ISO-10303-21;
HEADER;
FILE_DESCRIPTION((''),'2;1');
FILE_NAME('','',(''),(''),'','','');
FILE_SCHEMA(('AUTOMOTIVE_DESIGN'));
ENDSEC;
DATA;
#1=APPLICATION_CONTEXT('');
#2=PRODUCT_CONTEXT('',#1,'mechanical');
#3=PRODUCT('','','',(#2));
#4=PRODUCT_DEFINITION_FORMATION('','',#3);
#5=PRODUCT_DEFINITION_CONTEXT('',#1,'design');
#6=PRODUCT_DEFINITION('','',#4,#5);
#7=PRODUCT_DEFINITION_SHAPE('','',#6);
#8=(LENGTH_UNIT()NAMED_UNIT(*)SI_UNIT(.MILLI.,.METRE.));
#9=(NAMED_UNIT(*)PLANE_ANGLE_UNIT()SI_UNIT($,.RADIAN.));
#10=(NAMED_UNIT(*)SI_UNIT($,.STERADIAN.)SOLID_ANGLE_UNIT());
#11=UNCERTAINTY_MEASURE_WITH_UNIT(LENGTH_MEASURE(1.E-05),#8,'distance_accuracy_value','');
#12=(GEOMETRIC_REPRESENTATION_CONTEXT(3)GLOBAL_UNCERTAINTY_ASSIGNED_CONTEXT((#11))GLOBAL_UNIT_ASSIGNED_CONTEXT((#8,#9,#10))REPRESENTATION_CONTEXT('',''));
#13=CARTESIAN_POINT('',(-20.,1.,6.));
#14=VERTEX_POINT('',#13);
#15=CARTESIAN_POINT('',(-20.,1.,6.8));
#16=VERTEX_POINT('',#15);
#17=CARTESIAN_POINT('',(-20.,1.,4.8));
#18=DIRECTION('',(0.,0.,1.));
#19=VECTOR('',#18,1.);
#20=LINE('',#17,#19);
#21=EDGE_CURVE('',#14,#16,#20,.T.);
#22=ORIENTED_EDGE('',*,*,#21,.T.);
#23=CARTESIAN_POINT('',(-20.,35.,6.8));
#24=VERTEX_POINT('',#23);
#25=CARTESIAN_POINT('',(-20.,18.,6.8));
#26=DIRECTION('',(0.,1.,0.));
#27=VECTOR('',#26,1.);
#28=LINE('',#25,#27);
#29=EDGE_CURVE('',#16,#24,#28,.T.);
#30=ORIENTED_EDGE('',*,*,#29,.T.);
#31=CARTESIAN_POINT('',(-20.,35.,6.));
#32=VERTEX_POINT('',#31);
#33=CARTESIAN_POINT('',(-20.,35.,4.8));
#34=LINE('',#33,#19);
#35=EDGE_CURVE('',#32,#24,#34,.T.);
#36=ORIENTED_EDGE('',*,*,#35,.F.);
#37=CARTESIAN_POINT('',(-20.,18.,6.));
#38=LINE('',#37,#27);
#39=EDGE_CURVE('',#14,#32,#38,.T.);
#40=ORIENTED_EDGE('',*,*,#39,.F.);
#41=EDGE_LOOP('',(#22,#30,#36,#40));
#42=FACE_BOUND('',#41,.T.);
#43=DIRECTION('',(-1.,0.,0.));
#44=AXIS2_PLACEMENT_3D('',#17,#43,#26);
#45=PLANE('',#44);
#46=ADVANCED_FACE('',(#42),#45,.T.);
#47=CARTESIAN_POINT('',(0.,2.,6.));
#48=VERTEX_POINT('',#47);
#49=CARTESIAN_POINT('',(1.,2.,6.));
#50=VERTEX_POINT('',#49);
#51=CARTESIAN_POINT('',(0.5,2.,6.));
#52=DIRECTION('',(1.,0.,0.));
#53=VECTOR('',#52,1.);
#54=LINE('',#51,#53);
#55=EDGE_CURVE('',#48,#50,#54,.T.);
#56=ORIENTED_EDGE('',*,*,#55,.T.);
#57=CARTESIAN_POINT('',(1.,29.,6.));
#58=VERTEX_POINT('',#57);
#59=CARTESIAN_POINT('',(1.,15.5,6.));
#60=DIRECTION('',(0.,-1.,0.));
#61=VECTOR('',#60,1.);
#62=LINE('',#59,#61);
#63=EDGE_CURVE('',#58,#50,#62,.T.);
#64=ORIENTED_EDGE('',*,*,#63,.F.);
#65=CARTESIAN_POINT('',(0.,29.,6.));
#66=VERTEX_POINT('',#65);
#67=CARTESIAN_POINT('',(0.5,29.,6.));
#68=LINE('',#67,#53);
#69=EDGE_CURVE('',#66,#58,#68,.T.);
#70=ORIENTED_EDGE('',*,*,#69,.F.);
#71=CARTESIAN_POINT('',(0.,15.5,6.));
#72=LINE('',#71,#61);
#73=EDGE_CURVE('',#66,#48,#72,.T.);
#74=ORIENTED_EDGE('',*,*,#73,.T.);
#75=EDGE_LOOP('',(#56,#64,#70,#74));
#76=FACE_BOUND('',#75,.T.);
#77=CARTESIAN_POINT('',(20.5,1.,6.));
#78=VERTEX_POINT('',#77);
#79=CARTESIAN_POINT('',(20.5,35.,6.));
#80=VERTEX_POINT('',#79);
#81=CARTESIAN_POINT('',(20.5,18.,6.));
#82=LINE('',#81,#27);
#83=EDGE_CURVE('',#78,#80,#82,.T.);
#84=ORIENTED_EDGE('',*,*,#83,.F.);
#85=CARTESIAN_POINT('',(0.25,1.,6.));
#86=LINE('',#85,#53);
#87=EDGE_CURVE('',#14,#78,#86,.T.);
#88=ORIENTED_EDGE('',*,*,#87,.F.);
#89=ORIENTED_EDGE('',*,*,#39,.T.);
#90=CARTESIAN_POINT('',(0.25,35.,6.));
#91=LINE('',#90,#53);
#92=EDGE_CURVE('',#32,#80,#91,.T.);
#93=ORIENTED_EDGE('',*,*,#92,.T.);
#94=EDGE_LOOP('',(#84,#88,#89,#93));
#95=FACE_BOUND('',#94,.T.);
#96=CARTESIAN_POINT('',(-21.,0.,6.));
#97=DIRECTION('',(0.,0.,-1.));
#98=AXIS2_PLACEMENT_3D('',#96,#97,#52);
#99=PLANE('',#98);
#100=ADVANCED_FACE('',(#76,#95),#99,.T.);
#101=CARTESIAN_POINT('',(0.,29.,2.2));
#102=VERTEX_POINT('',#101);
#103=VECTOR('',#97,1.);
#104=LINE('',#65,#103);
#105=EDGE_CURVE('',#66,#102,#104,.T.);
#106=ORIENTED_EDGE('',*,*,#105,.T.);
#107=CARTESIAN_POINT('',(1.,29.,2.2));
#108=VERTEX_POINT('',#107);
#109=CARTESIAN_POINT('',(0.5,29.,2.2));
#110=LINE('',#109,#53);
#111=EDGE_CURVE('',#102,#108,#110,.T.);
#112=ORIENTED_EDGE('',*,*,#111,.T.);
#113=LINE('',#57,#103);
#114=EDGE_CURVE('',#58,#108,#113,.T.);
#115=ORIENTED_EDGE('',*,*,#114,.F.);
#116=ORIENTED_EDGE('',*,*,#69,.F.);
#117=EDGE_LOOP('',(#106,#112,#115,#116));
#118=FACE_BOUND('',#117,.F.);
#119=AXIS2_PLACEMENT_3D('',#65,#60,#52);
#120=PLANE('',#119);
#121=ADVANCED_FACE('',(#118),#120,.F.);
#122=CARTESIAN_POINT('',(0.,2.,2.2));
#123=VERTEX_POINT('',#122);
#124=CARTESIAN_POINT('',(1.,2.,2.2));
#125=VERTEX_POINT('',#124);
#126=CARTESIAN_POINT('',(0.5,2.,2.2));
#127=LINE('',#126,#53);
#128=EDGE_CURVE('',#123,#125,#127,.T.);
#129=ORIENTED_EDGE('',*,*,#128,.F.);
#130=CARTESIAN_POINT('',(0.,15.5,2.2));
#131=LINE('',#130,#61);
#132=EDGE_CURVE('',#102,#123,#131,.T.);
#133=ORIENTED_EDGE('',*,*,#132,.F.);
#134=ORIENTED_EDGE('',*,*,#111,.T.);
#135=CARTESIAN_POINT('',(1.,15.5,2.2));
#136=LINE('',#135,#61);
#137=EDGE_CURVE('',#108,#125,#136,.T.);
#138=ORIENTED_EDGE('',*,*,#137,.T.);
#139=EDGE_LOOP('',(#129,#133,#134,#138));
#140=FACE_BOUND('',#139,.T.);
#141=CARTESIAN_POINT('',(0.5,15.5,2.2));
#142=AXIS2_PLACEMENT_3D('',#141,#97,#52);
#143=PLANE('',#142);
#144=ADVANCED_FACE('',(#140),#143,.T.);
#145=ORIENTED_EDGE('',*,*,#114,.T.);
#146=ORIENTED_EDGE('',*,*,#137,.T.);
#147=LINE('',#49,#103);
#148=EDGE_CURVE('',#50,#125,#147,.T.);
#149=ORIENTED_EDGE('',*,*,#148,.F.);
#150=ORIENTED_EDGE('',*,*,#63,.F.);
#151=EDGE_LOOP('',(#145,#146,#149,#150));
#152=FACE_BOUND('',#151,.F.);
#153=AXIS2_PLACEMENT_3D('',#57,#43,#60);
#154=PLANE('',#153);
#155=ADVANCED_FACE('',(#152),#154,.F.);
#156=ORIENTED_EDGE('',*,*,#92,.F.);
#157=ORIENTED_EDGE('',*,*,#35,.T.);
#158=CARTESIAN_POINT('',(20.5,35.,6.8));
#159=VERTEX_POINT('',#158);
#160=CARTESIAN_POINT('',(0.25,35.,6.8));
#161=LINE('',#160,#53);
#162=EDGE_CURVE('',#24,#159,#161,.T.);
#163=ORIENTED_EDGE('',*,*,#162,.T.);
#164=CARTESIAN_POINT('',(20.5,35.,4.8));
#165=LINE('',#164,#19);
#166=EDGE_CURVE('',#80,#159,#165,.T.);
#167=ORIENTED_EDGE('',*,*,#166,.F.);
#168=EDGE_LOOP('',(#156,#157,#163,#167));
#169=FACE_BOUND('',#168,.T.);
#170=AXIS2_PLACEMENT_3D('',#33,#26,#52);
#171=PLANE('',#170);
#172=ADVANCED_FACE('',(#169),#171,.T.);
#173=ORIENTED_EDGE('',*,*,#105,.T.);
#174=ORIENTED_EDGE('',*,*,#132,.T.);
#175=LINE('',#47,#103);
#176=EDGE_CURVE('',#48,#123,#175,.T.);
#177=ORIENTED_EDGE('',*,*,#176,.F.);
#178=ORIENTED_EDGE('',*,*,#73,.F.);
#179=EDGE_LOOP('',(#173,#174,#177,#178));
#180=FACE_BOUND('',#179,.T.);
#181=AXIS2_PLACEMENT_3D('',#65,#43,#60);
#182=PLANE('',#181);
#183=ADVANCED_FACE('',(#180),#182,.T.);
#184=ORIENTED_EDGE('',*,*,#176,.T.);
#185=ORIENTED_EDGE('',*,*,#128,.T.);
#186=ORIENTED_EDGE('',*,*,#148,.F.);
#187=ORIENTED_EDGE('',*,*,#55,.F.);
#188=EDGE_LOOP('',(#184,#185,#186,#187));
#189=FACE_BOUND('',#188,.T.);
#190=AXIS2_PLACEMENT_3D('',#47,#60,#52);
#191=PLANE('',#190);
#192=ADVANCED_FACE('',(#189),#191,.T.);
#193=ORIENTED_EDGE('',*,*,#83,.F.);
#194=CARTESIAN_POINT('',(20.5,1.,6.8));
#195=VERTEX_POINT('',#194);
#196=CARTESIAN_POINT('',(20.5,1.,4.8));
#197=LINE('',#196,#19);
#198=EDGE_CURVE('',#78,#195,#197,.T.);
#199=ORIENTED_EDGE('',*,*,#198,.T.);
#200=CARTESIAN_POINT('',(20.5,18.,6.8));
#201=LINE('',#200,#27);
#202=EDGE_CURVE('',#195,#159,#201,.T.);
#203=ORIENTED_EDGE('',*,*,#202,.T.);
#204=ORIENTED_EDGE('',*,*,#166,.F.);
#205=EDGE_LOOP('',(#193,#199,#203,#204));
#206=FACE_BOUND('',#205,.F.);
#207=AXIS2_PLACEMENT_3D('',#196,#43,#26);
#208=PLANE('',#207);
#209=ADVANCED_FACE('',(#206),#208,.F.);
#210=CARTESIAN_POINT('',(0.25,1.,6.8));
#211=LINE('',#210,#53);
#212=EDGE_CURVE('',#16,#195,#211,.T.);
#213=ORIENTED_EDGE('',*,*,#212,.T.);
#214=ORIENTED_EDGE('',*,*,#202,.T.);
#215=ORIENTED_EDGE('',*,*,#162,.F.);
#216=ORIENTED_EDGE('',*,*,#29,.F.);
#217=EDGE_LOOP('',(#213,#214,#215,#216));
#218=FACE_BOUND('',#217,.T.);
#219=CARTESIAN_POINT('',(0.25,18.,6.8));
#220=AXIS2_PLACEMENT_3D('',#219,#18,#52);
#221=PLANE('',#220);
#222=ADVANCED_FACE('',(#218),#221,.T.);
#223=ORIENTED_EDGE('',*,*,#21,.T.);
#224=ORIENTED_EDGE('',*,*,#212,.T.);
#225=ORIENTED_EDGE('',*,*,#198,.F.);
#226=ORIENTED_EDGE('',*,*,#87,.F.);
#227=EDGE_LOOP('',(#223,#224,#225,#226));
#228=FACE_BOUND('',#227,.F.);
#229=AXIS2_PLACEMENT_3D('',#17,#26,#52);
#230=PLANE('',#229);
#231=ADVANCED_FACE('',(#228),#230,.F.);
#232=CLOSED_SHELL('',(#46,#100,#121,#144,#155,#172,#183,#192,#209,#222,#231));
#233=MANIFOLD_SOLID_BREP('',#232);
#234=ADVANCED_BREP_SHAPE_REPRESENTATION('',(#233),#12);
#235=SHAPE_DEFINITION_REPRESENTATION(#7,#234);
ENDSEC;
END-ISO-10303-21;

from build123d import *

# Parameters (mm, degrees)
SKETCH_W        = 42.5
SKETCH_H        = 36
PAD_DEPTH       = 6
SKETCH001_W     = 38.5
SKETCH001_H     = 32
POCKET_DEPTH    = 5
SKETCH002_W     = 40.5
SKETCH002_H     = 34
POCKET001_DEPTH = 1.2
SKETCH003_W     = 1
SKETCH003_H     = 27
PAD001_DEPTH    = 3.8
SKETCH004_W     = 40.5
SKETCH004_H     = 34
PAD002_DEPTH    = 2
SKETCH005_W     = 42.5
SKETCH005_H     = 6
POCKET002_DEPTH = 36.001
SKETCH006_W     = 1
SKETCH006_H     = 27
PAD003_DEPTH    = 3.8


with BuildPart() as part:
    # Sketch → Pad (new body)
    with BuildSketch(Plane.XY):
        with Locations((0.25, 18)):
            Rectangle(SKETCH_W, SKETCH_H)
    extrude(amount=PAD_DEPTH)

    # Sketch001 (on Face6 of Pad) → Pocket (cut)
    with BuildSketch(Plane.XY.offset(6)):
        with Locations((0.25, 18)):
            Rectangle(SKETCH001_W, SKETCH001_H)
    extrude(amount=-POCKET_DEPTH, mode=Mode.SUBTRACT)

    # Sketch002 (on Face5 of Pocket) → Pocket001 (cut)
    with BuildSketch(Plane.XY.offset(6)):
        with Locations((0.25, 18)):
            Rectangle(SKETCH002_W, SKETCH002_H)
    extrude(amount=-POCKET001_DEPTH, mode=Mode.SUBTRACT)

    # Sketch003 (on Face16 of Pocket001) → Pad001 (join)
    with BuildSketch(Plane.XY.offset(1)):
        with Locations((-0.5, 20.5)):
            Rectangle(SKETCH003_W, SKETCH003_H)
    extrude(amount=PAD001_DEPTH)

    # Sketch004 (on Face11 of Pad001) → Pad002 (join)
    with BuildSketch(Plane.XY.offset(4.8)):
        with Locations((0.25, 18)):
            Rectangle(SKETCH004_W, SKETCH004_H)
    extrude(amount=PAD002_DEPTH)

    # Sketch005 (on Face1 of Pad002) → Pocket002 (cut, through all)
    with BuildSketch(Plane.XZ):
        with Locations((0.25, 3)):
            Rectangle(SKETCH005_W, SKETCH005_H)
    extrude(amount=-POCKET002_DEPTH, mode=Mode.SUBTRACT)

    # Sketch006 (on Face2 of Pocket002) → Pad003 (join)
    with BuildSketch(Plane(origin=(0, 0, 6), x_dir=(1, 0, 0), z_dir=(0, 0, -1))):
        with Locations((0.5, -15.5)):
            Rectangle(SKETCH006_W, SKETCH006_H)
    extrude(amount=PAD003_DEPTH)


solid = part.part
